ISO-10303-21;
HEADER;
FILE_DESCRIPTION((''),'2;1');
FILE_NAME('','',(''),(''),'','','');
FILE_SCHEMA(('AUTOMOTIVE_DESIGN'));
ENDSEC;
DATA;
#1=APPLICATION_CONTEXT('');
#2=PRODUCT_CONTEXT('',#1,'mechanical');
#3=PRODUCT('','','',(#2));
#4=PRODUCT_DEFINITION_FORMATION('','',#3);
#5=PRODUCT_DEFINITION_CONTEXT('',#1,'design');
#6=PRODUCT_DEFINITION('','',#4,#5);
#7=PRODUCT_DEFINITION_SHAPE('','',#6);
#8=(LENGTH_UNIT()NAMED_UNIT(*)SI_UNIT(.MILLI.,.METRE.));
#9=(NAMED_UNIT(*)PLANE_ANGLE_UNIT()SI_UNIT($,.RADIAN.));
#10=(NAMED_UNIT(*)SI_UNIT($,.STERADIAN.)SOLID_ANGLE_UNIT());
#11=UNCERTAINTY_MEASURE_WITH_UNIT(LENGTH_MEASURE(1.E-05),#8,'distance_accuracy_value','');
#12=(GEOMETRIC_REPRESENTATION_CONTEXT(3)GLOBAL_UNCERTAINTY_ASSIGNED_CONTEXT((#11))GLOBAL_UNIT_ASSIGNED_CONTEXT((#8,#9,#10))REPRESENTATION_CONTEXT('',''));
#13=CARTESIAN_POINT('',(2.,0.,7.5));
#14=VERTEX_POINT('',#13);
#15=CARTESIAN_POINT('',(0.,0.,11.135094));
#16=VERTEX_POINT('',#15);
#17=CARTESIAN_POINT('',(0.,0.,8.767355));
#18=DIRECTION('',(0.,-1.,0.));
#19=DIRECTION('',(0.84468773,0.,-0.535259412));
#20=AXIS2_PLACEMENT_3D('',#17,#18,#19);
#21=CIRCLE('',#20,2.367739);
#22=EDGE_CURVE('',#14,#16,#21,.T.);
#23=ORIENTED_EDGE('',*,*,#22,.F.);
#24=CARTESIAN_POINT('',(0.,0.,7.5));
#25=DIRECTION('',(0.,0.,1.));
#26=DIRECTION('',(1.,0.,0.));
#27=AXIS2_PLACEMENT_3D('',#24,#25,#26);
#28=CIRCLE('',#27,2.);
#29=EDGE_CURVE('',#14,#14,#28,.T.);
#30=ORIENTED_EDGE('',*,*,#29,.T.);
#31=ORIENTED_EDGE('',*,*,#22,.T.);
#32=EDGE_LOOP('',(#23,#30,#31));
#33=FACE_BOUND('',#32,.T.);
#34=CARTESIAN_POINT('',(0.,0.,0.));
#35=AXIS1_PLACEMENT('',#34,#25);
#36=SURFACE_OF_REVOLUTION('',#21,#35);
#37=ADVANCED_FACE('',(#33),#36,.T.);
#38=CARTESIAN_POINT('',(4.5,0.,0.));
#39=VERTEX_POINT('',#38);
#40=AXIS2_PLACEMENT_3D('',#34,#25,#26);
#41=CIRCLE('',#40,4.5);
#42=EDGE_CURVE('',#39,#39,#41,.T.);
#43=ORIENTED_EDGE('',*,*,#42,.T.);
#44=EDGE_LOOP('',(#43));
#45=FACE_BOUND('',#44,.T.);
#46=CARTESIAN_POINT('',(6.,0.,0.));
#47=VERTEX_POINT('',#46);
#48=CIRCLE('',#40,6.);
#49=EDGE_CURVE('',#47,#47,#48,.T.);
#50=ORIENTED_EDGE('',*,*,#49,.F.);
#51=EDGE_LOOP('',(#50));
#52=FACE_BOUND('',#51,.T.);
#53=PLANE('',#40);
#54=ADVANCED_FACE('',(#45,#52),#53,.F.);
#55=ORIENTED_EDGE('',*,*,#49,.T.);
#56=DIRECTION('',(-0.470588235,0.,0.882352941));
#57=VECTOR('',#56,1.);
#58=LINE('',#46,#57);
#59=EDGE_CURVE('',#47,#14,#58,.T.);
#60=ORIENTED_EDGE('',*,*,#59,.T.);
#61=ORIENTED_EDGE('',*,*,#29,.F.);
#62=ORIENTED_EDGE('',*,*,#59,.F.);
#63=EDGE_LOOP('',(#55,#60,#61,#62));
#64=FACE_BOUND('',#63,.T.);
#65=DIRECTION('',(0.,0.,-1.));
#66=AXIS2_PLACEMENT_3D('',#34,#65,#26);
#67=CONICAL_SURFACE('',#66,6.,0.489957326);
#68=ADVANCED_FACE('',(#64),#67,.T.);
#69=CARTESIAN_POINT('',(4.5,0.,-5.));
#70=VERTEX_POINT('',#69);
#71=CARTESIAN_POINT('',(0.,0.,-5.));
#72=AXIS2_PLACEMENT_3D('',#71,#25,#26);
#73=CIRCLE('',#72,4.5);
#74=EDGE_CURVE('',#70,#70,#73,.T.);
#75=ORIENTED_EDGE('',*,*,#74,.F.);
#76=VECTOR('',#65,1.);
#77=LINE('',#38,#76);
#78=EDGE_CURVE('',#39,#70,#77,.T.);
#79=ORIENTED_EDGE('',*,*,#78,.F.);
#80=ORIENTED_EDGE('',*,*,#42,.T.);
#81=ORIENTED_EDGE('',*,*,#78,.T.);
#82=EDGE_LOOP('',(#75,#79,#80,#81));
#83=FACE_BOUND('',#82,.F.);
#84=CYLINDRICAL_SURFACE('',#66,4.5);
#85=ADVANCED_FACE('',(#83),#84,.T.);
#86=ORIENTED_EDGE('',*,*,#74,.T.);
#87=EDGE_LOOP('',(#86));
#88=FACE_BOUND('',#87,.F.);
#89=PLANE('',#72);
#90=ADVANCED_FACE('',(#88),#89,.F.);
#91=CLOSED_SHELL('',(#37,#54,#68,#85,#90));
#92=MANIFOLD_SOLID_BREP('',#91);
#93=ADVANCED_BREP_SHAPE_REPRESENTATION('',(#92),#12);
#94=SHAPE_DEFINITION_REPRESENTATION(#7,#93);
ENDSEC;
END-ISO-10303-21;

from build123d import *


with BuildPart() as part:
    # Sketch → Revolution (revolve)
    with BuildSketch(Plane.XZ):
        with BuildLine():
            Line((4.5, 0), (4.5, -5))
            Line((4.5, -5), (0, -5))
            Line((0, 11.135094), (0, -5))
            ThreePointArc((2, 7.5), (2.074482, 9.908719), (0, 11.135094))
            Line((6, 0), (2, 7.5))
            Line((4.5, 0), (6, 0))
        make_face()
    revolve(axis=Axis((0, 0, 0), (0, 0, 1)))


solid = part.part
